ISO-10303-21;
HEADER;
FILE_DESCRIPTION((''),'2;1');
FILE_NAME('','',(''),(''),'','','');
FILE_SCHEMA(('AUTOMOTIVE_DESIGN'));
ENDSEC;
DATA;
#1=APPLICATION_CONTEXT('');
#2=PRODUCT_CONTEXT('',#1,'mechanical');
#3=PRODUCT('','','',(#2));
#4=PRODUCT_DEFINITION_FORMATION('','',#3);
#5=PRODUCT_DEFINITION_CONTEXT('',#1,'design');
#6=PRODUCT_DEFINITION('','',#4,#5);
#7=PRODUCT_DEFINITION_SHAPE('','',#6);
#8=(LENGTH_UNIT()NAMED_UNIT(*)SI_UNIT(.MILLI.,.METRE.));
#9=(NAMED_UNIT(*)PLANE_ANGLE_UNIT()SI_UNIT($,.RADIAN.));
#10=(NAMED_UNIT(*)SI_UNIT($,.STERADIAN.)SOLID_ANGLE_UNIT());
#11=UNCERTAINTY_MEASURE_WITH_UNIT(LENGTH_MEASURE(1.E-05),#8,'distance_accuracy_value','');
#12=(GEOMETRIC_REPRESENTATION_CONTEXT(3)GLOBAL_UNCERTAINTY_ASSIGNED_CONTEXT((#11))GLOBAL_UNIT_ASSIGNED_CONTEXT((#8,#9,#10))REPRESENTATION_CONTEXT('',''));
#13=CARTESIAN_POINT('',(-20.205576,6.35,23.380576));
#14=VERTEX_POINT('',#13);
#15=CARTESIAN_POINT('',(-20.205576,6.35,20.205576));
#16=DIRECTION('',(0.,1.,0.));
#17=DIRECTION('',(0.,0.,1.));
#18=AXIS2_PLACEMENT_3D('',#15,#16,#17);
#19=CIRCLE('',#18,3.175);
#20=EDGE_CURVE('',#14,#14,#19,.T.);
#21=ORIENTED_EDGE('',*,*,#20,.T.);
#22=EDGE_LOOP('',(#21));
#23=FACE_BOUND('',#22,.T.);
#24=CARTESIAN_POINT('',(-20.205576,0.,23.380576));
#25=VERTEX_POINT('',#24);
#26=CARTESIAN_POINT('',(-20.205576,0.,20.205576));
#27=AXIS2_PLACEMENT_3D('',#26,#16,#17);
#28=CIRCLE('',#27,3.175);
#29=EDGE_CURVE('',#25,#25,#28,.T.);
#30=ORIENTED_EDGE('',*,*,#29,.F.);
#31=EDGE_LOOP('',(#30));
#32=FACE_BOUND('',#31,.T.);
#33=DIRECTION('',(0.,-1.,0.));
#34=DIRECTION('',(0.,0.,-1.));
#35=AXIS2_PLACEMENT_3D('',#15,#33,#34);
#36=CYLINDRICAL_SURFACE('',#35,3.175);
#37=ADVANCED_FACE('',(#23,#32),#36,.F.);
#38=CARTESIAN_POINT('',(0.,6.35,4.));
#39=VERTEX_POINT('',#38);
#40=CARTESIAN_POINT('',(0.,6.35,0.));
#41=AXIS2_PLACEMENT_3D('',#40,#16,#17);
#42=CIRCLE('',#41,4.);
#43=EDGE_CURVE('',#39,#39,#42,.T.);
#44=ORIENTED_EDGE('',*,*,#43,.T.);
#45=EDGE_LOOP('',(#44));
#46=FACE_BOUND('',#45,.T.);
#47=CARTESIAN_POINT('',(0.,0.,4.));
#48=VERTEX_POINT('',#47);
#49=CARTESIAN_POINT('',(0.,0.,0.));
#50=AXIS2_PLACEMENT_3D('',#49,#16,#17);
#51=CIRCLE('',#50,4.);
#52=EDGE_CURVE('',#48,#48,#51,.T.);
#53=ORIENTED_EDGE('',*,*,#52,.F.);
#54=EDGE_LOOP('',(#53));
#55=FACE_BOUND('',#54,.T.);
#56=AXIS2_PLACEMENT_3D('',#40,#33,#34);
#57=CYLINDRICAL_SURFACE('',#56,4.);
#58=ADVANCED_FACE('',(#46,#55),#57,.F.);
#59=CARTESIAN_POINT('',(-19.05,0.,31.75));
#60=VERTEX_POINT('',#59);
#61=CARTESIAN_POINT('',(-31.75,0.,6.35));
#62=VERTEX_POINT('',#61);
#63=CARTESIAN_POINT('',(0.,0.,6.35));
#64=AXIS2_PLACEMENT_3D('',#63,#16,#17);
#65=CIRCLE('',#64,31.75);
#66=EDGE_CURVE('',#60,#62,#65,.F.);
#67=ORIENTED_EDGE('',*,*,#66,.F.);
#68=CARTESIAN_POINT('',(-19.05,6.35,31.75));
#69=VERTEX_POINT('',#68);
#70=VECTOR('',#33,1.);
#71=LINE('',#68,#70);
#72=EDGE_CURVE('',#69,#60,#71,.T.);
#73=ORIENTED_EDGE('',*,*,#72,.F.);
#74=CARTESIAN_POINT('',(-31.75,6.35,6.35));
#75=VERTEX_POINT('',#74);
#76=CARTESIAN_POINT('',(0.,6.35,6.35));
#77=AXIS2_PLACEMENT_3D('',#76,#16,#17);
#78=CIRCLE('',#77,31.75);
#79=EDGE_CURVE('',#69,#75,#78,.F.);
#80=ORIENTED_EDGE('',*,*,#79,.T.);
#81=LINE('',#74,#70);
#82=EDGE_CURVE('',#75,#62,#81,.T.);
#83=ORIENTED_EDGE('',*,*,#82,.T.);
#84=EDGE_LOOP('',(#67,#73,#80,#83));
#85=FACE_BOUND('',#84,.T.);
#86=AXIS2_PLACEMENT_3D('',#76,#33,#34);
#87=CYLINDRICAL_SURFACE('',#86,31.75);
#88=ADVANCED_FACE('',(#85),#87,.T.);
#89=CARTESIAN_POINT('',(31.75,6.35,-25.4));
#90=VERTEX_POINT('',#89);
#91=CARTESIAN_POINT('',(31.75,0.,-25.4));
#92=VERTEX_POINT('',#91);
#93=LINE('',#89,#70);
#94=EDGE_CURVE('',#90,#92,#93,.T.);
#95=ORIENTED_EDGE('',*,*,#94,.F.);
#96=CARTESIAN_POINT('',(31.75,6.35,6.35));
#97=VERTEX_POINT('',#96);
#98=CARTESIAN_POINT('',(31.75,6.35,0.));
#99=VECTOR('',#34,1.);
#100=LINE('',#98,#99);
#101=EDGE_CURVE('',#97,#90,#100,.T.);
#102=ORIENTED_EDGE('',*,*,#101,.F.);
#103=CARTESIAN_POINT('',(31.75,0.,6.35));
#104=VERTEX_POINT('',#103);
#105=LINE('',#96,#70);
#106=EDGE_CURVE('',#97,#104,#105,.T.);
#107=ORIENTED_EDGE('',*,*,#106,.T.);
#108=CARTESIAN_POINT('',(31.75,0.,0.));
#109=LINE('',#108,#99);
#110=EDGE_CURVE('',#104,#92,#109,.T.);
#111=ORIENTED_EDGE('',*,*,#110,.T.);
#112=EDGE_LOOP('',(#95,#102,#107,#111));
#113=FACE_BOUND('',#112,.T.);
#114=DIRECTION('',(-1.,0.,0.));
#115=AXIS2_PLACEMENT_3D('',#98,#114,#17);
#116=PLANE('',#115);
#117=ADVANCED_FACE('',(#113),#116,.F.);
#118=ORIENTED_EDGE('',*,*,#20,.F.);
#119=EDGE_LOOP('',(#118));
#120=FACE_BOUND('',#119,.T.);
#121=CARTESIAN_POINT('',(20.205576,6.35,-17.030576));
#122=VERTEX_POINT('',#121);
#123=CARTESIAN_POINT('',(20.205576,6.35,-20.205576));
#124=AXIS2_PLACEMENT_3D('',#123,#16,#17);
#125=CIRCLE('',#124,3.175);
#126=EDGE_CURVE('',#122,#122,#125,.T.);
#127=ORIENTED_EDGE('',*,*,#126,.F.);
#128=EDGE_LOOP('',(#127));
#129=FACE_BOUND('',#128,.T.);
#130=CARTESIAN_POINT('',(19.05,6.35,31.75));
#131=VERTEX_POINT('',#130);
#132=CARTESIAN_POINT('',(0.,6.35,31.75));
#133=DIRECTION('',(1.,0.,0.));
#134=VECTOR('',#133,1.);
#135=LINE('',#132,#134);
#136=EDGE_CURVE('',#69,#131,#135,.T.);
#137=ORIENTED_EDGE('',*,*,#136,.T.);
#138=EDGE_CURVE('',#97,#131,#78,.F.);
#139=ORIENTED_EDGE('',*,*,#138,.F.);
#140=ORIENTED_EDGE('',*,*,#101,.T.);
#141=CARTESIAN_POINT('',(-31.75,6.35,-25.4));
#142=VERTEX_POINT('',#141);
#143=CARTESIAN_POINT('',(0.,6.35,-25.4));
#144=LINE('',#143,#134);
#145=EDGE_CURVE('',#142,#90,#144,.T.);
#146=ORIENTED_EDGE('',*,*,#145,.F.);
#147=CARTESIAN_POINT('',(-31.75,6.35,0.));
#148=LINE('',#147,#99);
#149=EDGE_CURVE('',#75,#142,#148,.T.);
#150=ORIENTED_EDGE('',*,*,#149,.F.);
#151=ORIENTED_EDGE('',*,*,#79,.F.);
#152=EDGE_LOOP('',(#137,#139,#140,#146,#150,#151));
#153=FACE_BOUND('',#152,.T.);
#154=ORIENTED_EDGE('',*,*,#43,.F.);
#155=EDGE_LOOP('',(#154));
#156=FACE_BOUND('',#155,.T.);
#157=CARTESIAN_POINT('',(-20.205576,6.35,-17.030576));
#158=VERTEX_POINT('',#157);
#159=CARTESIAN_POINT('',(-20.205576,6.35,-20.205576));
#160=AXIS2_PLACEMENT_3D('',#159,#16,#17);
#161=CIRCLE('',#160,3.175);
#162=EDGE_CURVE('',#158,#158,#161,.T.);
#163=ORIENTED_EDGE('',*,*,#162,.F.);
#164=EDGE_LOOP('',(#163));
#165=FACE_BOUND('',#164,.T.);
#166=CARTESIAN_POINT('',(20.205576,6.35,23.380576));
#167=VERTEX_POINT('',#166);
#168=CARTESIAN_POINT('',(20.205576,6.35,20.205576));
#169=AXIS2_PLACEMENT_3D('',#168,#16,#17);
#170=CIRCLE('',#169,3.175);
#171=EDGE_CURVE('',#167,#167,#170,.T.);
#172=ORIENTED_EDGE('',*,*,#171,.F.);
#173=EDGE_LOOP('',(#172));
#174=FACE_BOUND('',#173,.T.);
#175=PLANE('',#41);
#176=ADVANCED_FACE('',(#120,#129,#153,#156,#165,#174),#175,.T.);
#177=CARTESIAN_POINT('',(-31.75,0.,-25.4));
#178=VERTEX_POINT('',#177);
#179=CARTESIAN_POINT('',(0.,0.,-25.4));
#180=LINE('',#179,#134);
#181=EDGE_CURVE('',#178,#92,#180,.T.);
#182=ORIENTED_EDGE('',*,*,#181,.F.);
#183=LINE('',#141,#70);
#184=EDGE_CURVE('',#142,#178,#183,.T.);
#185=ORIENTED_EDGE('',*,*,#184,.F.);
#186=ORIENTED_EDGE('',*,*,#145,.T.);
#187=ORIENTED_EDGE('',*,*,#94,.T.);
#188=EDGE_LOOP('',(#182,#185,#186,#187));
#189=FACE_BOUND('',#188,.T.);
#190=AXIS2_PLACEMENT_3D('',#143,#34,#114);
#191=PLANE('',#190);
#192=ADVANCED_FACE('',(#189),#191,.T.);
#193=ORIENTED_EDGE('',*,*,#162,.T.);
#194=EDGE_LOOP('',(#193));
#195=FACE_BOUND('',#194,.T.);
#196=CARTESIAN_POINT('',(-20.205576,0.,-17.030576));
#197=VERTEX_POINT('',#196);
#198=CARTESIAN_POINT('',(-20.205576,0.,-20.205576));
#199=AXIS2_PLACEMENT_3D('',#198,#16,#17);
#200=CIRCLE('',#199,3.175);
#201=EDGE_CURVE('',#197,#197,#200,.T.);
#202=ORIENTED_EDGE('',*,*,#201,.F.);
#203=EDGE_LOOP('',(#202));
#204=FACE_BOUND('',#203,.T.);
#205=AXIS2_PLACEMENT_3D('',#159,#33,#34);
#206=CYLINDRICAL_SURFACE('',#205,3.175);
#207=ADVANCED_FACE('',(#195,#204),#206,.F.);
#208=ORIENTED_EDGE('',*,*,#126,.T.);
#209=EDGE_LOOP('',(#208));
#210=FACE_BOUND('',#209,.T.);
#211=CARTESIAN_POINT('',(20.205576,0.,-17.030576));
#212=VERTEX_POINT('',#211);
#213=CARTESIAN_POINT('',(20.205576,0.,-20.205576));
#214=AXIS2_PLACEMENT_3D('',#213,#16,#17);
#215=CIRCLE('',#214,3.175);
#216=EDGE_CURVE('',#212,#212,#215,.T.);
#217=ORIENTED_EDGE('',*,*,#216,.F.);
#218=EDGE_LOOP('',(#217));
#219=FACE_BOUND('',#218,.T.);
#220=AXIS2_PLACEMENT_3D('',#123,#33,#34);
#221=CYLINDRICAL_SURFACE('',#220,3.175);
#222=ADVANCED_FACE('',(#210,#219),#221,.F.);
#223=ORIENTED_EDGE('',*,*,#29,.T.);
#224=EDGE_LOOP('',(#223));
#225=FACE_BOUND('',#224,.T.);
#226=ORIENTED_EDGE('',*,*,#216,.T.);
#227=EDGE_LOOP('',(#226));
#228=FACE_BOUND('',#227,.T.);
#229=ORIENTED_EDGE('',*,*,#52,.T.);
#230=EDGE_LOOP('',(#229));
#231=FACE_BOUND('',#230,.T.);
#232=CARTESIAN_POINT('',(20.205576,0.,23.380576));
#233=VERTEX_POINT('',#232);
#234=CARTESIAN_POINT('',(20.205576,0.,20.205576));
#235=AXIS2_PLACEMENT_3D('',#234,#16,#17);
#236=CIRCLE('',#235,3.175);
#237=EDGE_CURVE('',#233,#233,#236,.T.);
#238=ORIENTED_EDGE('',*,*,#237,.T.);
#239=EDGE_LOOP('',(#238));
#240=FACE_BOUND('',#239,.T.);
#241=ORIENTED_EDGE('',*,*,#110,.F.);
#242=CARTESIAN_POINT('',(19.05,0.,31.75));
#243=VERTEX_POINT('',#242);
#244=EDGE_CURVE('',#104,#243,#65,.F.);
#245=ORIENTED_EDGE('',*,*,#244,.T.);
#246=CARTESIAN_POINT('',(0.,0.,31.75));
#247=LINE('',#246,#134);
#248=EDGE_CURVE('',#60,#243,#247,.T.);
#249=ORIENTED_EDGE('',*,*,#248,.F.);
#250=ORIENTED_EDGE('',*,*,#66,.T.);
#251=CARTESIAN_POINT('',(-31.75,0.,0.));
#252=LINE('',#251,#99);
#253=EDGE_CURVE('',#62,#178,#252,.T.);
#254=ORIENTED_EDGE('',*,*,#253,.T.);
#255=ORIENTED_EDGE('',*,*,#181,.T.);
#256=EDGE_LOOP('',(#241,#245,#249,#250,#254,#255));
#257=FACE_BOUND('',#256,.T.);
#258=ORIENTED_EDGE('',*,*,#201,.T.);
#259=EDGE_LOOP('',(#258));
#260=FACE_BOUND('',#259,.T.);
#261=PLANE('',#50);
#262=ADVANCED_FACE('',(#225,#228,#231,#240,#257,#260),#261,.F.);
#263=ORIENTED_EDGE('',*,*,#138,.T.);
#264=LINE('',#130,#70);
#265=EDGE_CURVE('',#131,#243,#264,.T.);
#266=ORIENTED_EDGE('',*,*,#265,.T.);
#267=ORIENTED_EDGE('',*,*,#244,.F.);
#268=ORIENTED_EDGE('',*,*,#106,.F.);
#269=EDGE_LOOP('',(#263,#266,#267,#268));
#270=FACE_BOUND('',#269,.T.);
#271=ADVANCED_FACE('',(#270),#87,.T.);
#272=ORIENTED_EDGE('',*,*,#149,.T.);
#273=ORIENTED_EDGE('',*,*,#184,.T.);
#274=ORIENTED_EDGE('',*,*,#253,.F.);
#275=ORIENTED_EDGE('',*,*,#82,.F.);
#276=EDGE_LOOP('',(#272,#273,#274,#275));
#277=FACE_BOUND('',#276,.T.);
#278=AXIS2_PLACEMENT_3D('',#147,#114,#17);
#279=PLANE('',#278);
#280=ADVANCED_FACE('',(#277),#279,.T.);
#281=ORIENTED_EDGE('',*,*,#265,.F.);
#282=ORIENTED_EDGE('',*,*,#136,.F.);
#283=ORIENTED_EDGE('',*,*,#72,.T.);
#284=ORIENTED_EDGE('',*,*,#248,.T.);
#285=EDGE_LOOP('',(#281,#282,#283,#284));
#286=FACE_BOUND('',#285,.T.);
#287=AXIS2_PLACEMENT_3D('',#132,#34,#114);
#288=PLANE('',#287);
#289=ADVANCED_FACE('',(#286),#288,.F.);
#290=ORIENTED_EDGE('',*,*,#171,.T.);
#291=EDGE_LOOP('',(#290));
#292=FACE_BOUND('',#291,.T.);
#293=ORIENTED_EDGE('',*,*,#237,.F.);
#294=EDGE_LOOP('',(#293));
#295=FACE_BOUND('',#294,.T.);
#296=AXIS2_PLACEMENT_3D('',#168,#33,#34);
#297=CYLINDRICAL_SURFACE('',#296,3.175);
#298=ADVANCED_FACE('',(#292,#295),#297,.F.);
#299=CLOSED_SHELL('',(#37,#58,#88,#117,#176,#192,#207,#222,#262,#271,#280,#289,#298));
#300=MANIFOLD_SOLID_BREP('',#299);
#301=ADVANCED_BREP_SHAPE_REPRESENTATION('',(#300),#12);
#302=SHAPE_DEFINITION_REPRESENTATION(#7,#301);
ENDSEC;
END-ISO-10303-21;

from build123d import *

# Parameters (mm, degrees)
SKETCH1_R           = 3.175
SKETCH1_R_2         = 4
BOSS_EXTRUDE1_DEPTH = 6.35


with BuildPart() as part:
    # Sketch1 → Boss-Extrude1 (new body)
    with BuildSketch(Plane(origin=(0, 0, 0), x_dir=(1, 0, 0), z_dir=(0, 1, 0))):
        with BuildLine():
            Line((-31.75, 25.4), (-31.75, 0))
            Line((-31.75, 0), (-31.75, -6.35))
            ThreePointArc((-31.75, -6.35), (-28.398063314, -20.549031657), (-19.05, -31.75))
            Line((-19.05, -31.75), (19.05, -31.75))
            ThreePointArc((19.05, -31.75), (28.398063314, -20.549031657), (31.75, -6.35))
            Line((31.75, -6.35), (31.75, 0))
            Line((31.75, 0), (31.75, 25.4))
            Line((31.75, 25.4), (-31.75, 25.4))
        make_face()
        with Locations((-20.205576272, -20.205576272)):
            Circle(SKETCH1_R, mode=Mode.SUBTRACT)
        with Locations((20.205576272, -20.205576272)):
            Circle(SKETCH1_R, mode=Mode.SUBTRACT)
        Circle(SKETCH1_R_2, mode=Mode.SUBTRACT)
        with Locations((-20.205576272, 20.205576272)):
            Circle(SKETCH1_R, mode=Mode.SUBTRACT)
        with Locations((20.205576272, 20.205576272)):
            Circle(SKETCH1_R, mode=Mode.SUBTRACT)
    extrude(amount=BOSS_EXTRUDE1_DEPTH)


solid = part.part
